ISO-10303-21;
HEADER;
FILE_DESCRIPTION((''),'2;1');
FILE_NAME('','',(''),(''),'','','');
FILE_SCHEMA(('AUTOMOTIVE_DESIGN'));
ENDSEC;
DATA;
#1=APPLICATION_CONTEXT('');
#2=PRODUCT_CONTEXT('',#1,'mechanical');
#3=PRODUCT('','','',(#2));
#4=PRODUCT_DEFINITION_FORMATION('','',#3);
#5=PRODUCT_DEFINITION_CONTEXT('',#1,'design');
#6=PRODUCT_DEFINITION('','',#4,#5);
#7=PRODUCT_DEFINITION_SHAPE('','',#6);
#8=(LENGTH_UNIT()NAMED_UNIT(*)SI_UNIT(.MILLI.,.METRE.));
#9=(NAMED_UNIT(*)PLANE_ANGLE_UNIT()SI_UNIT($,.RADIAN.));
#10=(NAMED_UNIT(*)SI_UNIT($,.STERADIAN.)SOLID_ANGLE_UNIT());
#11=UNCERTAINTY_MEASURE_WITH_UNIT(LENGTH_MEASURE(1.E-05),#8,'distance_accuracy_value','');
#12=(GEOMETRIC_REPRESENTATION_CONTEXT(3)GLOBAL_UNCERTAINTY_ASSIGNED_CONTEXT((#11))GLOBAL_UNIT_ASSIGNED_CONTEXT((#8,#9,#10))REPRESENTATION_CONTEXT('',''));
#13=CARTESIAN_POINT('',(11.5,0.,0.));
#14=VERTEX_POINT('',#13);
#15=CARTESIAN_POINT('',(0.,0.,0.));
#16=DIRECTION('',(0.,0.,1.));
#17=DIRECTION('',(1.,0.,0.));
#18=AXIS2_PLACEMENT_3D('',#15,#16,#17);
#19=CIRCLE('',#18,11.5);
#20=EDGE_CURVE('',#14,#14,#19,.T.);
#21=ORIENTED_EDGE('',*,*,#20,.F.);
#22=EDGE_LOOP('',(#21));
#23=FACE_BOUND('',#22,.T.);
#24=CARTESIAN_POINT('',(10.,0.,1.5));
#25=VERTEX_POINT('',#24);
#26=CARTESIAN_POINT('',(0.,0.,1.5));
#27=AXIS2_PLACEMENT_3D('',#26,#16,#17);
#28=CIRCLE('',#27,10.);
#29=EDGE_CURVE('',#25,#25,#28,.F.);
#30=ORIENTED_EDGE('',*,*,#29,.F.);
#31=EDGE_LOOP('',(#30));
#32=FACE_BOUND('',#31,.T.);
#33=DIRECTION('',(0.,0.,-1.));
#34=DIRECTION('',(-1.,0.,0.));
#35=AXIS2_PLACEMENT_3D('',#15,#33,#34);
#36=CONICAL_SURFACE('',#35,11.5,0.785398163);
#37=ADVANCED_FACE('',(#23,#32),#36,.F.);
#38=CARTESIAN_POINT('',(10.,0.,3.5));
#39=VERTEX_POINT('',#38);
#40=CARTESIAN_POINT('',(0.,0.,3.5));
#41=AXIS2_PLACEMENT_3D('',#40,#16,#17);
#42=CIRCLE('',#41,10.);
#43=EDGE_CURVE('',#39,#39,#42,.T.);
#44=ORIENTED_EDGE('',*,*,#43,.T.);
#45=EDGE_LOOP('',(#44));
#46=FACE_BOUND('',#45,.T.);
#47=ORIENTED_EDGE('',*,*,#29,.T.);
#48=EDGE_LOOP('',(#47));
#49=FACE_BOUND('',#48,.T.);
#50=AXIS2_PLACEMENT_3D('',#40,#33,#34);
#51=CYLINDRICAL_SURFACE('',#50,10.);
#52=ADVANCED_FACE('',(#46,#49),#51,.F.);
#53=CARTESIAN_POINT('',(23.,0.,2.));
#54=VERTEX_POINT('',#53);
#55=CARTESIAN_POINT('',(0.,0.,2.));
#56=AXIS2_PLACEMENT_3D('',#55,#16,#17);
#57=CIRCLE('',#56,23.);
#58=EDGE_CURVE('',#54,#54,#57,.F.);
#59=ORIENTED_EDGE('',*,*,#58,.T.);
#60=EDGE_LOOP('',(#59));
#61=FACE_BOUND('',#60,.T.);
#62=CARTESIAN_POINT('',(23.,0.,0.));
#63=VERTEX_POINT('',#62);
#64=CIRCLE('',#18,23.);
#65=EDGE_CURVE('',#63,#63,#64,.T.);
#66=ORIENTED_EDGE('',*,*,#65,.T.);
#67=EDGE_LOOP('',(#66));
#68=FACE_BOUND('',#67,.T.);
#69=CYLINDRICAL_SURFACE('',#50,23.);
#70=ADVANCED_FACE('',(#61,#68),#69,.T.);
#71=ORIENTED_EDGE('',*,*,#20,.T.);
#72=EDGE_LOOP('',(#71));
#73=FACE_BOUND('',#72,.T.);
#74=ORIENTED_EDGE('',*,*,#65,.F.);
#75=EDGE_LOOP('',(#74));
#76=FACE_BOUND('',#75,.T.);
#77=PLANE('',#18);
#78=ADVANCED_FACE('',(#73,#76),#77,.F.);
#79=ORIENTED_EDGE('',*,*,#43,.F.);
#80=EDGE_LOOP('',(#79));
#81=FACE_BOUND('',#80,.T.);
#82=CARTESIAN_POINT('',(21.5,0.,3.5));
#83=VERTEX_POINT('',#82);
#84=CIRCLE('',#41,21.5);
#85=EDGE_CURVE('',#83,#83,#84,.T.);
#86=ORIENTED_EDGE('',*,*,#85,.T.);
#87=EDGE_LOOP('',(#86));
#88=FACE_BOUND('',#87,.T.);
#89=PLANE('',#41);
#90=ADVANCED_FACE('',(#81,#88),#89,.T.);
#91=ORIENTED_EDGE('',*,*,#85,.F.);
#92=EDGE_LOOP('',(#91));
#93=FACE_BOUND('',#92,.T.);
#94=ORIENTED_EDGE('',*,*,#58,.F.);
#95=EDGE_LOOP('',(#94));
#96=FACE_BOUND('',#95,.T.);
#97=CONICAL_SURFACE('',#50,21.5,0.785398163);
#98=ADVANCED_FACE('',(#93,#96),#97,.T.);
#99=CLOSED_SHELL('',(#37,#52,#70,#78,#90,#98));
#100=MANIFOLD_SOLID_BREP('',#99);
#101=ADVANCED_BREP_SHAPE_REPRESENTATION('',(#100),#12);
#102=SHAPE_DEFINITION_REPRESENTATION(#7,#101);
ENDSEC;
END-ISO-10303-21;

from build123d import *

# Parameters (mm, degrees)
ESQUISSE1_R        = 23
ESQUISSE1_R_2      = 10
BOSS_EXTRU_1_DEPTH = 3.5
CHANFREIN1_SIZE    = 1.5


with BuildPart() as part:
    # Esquisse1 → Boss.-Extru.1 (new body)
    with BuildSketch(Plane.XY):
        Circle(ESQUISSE1_R)
        Circle(ESQUISSE1_R_2, mode=Mode.SUBTRACT)
    extrude(amount=BOSS_EXTRU_1_DEPTH)

    # Chanfrein1
    chanfrein1_edges = [part.edges().sort_by_distance(p)[0] for p in [
        (-23, 0, 3.5),
        (-10, 0, 0),
    ]]
    chamfer(chanfrein1_edges, length=CHANFREIN1_SIZE)


solid = part.part
